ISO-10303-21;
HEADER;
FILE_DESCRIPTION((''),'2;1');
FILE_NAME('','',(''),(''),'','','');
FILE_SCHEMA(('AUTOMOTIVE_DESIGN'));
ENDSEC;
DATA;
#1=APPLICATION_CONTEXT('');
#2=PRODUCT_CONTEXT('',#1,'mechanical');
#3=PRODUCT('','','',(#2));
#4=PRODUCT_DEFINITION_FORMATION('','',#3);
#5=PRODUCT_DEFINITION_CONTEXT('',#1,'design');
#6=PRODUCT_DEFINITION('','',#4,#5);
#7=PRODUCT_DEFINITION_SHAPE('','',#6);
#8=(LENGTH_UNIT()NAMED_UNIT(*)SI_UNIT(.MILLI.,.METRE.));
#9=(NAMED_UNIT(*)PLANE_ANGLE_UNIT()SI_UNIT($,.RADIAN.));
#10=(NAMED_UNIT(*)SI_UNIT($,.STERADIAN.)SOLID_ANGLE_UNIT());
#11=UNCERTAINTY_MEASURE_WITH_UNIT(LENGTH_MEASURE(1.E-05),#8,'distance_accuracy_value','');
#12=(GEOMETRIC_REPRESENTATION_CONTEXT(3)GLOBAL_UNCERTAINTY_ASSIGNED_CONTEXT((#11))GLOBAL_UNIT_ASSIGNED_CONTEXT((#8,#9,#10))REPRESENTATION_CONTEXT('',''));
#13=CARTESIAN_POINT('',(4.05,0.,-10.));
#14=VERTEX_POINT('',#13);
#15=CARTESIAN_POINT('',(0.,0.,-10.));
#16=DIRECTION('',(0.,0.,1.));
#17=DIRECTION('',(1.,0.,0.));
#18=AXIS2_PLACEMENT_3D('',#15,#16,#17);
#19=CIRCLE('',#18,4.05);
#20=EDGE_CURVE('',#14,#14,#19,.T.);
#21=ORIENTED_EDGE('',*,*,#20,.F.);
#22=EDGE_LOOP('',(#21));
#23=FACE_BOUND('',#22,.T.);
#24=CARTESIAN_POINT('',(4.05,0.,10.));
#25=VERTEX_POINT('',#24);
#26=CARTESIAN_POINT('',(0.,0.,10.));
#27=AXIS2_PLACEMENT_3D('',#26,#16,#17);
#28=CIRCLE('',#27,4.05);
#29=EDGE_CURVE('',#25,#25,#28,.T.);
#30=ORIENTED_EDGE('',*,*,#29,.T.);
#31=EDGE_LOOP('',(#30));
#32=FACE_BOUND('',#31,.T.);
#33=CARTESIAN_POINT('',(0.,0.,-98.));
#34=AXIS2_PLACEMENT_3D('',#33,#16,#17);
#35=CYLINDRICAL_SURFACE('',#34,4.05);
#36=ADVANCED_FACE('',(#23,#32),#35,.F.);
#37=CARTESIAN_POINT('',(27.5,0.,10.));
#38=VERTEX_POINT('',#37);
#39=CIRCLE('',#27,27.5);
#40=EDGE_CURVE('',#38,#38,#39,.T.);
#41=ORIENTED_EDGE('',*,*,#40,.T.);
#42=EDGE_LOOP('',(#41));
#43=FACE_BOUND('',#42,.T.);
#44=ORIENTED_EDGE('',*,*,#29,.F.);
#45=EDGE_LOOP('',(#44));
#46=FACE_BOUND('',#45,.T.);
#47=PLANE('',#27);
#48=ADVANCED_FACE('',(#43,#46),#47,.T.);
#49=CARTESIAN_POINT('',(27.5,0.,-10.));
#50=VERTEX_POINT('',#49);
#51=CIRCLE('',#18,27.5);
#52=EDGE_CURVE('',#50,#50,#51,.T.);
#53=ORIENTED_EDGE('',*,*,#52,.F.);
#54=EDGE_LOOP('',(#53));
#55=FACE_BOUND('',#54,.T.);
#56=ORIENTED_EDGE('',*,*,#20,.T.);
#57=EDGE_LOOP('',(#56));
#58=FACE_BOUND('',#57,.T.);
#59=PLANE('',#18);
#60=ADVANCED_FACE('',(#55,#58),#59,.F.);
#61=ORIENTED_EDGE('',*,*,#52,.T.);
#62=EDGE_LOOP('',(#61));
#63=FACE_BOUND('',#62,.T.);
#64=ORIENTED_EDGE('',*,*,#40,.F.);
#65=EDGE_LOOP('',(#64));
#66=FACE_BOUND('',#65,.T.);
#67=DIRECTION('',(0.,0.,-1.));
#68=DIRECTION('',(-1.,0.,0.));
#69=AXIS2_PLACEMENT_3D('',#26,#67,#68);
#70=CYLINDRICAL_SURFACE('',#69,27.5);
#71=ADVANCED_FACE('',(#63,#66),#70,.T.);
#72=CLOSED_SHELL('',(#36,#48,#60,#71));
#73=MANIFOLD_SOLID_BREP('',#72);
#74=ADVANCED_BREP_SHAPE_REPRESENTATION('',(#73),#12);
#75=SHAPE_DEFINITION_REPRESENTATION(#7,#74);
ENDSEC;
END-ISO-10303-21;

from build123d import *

# Parameters (mm, degrees)
CROQUIS1_R              = 27.5
SALIENTE_EXTRUIR1_DEPTH = 10
CROQUIS4_R              = 4.05
CORTAR_EXTRUIR2_DEPTH   = 108


with BuildPart() as part:
    # Croquis1 → Saliente-Extruir1 (new, symmetric)
    with BuildSketch(Plane.XY):
        Circle(CROQUIS1_R)
    extrude(amount=SALIENTE_EXTRUIR1_DEPTH, both=True)

    # Croquis4 → Cortar-Extruir2 (cut)
    with BuildSketch(Plane.XY.offset(10)):
        Circle(CROQUIS4_R)
    extrude(amount=-CORTAR_EXTRUIR2_DEPTH, mode=Mode.SUBTRACT)


solid = part.part
